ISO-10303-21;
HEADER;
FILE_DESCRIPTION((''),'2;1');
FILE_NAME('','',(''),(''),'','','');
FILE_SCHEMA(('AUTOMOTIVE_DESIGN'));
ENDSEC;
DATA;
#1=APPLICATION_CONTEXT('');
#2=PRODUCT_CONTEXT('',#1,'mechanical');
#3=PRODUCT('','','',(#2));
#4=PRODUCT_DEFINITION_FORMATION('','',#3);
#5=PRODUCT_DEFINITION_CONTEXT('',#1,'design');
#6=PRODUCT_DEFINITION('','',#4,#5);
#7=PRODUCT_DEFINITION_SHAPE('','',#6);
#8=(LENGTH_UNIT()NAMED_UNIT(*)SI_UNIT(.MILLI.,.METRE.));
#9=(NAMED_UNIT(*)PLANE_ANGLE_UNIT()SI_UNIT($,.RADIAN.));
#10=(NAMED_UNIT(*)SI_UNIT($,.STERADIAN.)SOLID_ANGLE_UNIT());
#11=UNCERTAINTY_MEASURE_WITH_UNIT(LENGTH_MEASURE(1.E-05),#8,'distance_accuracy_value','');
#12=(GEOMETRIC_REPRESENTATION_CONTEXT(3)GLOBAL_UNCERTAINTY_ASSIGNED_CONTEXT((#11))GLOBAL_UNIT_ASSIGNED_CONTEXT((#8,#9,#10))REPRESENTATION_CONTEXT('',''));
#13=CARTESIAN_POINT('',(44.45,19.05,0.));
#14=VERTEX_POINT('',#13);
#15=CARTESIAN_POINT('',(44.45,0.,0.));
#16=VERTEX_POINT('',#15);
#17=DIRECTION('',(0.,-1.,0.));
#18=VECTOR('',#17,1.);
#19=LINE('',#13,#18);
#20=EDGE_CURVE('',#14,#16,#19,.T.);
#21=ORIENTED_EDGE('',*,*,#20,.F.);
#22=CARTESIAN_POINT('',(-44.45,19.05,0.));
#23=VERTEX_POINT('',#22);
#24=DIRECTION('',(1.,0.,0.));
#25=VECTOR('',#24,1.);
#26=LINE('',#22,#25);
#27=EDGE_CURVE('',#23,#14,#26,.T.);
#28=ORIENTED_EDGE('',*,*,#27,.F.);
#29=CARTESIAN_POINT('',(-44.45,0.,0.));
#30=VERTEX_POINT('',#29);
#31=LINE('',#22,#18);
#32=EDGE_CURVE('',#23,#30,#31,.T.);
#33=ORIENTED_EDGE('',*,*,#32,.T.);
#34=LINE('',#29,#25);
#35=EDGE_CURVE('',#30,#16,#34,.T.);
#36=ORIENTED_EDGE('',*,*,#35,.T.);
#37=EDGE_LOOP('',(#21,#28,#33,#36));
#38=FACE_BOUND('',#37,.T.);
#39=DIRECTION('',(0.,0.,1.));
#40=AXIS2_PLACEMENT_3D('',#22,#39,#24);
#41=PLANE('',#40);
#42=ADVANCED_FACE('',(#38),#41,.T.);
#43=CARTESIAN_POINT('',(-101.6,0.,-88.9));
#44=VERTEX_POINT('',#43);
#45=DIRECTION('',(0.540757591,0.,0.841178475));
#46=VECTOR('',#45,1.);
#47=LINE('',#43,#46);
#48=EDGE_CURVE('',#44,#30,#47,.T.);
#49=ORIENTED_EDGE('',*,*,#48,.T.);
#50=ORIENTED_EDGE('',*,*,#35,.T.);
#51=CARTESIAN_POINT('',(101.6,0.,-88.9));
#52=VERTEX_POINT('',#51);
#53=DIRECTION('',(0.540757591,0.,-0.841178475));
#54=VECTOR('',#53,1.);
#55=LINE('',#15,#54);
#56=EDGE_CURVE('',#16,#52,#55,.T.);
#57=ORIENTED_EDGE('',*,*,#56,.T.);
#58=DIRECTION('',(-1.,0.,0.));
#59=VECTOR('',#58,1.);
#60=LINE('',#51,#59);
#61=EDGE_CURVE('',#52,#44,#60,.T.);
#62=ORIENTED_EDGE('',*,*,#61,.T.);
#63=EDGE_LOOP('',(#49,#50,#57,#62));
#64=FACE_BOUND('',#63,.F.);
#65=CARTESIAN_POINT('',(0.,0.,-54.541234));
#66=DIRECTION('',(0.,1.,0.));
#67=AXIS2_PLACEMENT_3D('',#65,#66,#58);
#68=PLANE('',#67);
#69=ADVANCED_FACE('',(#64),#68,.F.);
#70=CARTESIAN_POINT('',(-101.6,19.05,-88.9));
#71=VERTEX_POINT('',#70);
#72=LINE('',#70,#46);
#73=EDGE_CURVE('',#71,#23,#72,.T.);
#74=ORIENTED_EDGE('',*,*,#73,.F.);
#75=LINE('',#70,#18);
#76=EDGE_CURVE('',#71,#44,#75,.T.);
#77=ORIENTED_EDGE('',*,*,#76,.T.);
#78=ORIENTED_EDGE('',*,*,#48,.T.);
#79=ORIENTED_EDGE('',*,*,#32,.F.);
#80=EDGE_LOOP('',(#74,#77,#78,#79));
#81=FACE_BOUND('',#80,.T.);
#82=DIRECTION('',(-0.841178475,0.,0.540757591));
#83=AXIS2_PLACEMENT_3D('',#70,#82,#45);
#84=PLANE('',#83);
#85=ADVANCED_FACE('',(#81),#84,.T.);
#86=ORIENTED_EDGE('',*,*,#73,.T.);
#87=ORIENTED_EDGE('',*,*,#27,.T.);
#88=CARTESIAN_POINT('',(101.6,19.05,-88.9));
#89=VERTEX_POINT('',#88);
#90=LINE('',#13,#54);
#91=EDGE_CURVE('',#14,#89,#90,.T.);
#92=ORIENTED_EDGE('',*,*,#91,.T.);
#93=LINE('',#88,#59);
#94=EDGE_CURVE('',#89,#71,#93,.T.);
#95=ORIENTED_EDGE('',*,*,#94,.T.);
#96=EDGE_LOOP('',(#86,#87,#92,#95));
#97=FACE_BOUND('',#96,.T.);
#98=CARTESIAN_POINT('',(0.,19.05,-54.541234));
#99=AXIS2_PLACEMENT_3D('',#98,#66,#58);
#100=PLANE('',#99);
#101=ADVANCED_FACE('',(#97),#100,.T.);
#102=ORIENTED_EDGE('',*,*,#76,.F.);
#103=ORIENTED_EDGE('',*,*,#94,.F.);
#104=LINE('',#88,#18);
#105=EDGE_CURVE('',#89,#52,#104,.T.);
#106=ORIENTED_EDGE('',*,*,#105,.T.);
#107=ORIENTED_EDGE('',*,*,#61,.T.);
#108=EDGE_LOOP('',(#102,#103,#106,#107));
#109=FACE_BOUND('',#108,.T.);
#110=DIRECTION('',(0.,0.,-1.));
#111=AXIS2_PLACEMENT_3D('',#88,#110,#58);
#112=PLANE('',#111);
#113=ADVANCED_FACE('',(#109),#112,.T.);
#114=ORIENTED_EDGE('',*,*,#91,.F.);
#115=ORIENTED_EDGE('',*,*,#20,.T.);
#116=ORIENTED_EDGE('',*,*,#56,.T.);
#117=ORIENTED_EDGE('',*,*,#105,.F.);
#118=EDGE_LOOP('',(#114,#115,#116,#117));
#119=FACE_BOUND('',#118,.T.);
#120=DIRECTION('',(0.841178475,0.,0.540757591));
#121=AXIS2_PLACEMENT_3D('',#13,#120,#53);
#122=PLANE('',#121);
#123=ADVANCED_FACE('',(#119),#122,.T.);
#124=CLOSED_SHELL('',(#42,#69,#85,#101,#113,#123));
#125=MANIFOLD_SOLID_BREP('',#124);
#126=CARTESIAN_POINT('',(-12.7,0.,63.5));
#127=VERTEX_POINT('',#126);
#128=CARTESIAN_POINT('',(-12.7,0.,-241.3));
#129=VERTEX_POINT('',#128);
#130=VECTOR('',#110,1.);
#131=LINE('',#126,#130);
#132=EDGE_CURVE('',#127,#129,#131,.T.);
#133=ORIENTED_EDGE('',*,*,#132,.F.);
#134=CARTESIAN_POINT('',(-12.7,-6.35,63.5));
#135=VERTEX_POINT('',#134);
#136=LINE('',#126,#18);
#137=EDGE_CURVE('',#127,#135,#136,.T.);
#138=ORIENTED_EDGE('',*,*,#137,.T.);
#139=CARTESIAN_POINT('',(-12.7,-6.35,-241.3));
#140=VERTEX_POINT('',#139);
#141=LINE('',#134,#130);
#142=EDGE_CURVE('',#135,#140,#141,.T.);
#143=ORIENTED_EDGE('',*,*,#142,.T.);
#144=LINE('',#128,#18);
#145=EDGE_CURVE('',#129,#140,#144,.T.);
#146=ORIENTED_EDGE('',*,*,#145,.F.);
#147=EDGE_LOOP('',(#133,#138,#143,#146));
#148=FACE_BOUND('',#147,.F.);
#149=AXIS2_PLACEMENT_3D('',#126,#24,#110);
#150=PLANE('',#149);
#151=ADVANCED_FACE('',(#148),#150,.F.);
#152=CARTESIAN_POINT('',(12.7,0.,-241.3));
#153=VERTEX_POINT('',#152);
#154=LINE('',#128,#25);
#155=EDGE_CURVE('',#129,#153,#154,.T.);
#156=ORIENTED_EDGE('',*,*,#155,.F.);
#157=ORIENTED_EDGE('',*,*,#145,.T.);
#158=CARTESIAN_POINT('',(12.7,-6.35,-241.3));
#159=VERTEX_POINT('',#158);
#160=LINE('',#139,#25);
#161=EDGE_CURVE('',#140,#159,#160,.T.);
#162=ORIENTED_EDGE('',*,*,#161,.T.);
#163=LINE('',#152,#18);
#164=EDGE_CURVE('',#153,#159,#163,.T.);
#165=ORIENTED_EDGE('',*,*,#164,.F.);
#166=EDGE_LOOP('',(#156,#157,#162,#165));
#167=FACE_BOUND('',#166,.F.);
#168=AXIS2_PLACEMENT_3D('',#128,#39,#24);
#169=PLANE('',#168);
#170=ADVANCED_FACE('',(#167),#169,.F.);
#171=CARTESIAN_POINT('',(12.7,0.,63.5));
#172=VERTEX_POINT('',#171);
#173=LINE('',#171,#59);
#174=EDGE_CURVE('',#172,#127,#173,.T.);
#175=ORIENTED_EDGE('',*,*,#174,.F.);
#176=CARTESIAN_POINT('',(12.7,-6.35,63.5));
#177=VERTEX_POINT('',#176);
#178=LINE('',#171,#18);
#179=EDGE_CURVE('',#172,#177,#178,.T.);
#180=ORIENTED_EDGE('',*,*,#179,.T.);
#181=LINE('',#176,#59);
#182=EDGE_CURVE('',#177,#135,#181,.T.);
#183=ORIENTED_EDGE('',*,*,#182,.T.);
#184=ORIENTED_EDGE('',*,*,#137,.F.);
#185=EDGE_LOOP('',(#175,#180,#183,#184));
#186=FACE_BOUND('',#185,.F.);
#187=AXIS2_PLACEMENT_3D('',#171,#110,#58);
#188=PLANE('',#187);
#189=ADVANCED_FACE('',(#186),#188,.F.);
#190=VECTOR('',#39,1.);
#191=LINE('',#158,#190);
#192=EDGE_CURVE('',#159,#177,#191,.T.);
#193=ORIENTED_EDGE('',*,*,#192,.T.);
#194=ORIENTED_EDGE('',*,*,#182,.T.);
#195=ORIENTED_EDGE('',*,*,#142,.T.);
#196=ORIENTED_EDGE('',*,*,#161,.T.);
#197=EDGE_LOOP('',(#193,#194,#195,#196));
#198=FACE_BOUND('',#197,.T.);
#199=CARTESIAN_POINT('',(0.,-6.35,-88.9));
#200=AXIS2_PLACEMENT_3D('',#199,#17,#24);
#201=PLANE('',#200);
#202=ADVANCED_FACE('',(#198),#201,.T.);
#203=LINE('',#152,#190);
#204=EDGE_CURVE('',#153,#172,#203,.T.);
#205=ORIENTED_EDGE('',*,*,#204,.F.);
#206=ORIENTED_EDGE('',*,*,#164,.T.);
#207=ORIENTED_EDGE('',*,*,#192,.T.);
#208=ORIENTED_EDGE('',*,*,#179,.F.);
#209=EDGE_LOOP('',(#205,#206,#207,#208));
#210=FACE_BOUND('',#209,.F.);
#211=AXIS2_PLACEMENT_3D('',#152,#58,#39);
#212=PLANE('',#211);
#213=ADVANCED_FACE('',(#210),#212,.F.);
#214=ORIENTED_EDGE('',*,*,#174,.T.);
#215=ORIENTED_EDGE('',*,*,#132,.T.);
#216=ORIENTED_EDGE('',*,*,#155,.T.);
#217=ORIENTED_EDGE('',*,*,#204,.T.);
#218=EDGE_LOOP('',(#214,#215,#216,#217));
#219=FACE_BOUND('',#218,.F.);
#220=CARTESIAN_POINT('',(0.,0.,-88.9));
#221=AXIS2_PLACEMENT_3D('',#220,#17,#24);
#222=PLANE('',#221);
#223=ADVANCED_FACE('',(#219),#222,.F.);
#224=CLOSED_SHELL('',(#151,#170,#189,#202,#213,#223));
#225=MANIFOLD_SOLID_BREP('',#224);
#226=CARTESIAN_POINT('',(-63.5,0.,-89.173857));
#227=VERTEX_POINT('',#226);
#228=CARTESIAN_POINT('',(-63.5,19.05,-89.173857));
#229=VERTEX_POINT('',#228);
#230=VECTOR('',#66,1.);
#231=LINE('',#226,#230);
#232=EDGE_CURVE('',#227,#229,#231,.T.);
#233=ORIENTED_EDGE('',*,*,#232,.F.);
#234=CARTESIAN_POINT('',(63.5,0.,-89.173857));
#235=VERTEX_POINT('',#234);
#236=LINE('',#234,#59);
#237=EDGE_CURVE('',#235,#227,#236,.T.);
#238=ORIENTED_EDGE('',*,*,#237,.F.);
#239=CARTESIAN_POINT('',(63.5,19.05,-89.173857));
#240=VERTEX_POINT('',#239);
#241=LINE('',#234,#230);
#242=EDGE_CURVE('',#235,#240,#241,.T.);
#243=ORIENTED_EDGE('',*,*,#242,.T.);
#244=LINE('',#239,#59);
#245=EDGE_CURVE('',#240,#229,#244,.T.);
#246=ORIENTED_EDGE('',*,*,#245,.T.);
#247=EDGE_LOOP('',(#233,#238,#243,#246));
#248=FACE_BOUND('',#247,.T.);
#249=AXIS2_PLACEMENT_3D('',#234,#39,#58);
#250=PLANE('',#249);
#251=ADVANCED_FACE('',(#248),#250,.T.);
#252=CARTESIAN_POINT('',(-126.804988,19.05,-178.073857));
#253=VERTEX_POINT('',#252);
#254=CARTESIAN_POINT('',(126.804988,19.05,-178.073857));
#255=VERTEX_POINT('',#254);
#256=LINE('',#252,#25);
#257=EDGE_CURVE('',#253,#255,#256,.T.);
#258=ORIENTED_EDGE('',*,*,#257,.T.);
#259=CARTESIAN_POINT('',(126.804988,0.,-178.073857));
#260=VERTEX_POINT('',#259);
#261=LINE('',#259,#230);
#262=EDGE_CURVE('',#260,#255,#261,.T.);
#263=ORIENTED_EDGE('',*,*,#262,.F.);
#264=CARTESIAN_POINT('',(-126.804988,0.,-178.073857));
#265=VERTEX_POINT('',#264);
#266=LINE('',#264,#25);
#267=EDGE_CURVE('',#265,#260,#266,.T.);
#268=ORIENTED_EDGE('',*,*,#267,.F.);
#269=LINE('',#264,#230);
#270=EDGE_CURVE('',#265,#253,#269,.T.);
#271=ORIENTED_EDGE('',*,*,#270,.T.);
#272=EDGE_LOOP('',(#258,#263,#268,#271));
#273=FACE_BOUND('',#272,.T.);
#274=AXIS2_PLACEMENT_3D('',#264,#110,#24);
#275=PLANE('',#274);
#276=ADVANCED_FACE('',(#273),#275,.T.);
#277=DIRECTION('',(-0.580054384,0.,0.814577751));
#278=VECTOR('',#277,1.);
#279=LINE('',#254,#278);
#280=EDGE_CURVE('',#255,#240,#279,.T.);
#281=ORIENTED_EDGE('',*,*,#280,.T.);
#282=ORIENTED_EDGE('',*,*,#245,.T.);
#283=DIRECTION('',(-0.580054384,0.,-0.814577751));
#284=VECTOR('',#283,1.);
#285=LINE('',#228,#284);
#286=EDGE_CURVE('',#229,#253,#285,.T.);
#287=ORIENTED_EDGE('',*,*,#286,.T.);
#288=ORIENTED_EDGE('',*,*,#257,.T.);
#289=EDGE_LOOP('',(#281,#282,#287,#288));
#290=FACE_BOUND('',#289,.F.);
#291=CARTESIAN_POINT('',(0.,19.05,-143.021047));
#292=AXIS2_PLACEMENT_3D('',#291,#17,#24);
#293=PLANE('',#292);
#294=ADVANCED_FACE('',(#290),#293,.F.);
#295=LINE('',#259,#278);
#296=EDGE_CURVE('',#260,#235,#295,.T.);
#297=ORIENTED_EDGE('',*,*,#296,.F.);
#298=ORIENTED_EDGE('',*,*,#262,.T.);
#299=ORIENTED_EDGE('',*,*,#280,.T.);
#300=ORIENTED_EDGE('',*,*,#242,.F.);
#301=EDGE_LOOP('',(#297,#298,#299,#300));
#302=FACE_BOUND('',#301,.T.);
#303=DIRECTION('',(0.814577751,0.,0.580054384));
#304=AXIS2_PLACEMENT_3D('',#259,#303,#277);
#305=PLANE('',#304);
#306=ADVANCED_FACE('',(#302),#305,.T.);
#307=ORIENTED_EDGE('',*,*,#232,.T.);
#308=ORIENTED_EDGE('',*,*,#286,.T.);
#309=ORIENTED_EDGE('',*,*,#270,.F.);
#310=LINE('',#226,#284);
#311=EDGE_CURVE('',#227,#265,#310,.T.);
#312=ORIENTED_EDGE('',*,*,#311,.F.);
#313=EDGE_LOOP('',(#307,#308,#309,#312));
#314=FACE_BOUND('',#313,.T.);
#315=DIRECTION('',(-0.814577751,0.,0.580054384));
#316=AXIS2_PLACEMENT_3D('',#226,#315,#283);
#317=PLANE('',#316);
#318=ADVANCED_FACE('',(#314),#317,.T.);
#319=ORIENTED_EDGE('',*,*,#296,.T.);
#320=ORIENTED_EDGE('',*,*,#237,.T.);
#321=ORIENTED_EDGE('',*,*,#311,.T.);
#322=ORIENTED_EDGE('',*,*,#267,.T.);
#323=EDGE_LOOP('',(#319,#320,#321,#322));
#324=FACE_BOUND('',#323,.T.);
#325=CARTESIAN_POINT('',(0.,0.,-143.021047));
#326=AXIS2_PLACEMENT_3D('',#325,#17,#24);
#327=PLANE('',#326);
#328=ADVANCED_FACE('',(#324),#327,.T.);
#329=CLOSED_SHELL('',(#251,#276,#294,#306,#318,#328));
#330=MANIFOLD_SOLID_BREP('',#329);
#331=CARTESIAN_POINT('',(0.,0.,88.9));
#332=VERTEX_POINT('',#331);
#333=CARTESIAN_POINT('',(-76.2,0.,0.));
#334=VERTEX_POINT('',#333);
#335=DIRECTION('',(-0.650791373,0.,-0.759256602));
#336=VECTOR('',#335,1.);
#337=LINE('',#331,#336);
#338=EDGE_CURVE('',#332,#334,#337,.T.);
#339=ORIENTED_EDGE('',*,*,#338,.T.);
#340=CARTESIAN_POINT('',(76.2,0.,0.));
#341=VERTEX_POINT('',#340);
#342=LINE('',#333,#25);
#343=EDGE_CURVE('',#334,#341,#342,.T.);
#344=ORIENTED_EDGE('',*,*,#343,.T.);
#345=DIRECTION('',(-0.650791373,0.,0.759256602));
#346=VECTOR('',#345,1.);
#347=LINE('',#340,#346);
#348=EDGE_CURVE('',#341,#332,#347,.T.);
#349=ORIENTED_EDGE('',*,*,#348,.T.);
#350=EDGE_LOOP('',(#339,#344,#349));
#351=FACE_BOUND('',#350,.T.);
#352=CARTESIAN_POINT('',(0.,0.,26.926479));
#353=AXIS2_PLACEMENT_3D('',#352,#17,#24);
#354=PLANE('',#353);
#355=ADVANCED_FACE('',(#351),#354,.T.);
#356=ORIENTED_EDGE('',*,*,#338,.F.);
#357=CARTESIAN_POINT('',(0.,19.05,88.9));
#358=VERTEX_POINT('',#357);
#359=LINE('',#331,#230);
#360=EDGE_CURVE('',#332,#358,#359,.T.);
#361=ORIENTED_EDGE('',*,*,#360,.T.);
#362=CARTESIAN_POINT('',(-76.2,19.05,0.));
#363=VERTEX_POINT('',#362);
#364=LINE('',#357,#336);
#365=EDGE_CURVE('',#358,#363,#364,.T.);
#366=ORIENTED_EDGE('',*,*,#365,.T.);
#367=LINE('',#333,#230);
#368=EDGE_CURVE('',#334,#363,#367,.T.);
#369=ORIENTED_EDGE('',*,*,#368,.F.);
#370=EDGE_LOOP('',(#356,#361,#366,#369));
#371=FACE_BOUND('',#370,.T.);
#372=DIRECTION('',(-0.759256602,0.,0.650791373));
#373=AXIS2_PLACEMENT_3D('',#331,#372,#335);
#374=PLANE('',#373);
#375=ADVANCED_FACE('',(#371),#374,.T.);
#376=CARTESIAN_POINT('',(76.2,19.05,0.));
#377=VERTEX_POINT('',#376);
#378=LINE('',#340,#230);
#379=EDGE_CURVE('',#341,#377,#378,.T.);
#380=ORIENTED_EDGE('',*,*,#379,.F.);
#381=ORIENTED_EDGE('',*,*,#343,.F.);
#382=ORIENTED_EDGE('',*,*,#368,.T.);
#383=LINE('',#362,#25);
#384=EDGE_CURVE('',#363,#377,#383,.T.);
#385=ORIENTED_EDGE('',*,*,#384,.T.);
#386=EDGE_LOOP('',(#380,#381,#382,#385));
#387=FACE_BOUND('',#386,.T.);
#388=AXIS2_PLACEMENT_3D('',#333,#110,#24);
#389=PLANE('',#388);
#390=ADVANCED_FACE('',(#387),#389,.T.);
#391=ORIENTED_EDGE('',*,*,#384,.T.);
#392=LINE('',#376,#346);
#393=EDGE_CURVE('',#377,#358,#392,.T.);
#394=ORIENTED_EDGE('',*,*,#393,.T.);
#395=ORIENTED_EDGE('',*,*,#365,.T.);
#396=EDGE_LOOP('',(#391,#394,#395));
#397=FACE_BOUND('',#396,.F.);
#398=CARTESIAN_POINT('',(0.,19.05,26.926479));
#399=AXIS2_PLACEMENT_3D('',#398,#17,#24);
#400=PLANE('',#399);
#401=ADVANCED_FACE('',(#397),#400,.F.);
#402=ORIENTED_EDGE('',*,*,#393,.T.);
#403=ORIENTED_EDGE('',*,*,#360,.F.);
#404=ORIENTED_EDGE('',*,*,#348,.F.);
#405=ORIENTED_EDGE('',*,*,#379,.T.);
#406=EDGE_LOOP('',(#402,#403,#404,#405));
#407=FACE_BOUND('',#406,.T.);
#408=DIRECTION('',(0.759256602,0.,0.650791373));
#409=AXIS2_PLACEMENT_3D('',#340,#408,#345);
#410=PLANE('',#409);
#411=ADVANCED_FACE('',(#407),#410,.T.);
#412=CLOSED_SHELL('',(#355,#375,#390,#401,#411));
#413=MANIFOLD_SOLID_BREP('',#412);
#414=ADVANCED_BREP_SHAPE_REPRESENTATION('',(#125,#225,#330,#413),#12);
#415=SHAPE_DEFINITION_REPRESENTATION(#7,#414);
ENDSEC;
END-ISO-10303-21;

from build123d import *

# Parameters (mm, degrees)
F1_DEPTH = 19.05
F3_DEPTH = 19.05
F5_DEPTH = 19.05
F7_DEPTH = 6.35


with BuildPart() as f1:
    # F0 (on Front) → F1 (new body)
    with BuildSketch(Plane.XZ):
        Polygon((-76.2, 0), (0, 0), (76.2, 0), (0, 88.9), align=None)
    extrude(amount=-F1_DEPTH)


with BuildPart() as f3:
    # F2 (on face) → F3 (new body)
    with BuildSketch(Plane(origin=(0, 19.05, 0), x_dir=(-1, 0, 0), z_dir=(0, 1, 0))):
        Polygon((44.45, 0), (-44.45, 0), (-101.6, -88.9), (0, -88.9), (101.6, -88.9), align=None)
    extrude(amount=-F3_DEPTH)


with BuildPart() as f5:
    # F4 (on Front) → F5 (new body)
    with BuildSketch(Plane.XZ):
        Polygon((63.5, -89.173857), (-63.5, -89.173857), (-126.804988, -178.073857), (0, -178.073857), (126.804988, -178.073857), align=None)
    extrude(amount=-F5_DEPTH)


with BuildPart() as f7:
    # F6 (on Front) → F7 (new body)
    with BuildSketch(Plane.XZ):
        Polygon((12.7, 63.5), (0, 63.5), (-12.7, 63.5), (-12.7, -241.3), (0, -241.3), (12.7, -241.3), align=None)
    extrude(amount=F7_DEPTH)


solid = Compound([f1.part, f3.part, f5.part, f7.part])
